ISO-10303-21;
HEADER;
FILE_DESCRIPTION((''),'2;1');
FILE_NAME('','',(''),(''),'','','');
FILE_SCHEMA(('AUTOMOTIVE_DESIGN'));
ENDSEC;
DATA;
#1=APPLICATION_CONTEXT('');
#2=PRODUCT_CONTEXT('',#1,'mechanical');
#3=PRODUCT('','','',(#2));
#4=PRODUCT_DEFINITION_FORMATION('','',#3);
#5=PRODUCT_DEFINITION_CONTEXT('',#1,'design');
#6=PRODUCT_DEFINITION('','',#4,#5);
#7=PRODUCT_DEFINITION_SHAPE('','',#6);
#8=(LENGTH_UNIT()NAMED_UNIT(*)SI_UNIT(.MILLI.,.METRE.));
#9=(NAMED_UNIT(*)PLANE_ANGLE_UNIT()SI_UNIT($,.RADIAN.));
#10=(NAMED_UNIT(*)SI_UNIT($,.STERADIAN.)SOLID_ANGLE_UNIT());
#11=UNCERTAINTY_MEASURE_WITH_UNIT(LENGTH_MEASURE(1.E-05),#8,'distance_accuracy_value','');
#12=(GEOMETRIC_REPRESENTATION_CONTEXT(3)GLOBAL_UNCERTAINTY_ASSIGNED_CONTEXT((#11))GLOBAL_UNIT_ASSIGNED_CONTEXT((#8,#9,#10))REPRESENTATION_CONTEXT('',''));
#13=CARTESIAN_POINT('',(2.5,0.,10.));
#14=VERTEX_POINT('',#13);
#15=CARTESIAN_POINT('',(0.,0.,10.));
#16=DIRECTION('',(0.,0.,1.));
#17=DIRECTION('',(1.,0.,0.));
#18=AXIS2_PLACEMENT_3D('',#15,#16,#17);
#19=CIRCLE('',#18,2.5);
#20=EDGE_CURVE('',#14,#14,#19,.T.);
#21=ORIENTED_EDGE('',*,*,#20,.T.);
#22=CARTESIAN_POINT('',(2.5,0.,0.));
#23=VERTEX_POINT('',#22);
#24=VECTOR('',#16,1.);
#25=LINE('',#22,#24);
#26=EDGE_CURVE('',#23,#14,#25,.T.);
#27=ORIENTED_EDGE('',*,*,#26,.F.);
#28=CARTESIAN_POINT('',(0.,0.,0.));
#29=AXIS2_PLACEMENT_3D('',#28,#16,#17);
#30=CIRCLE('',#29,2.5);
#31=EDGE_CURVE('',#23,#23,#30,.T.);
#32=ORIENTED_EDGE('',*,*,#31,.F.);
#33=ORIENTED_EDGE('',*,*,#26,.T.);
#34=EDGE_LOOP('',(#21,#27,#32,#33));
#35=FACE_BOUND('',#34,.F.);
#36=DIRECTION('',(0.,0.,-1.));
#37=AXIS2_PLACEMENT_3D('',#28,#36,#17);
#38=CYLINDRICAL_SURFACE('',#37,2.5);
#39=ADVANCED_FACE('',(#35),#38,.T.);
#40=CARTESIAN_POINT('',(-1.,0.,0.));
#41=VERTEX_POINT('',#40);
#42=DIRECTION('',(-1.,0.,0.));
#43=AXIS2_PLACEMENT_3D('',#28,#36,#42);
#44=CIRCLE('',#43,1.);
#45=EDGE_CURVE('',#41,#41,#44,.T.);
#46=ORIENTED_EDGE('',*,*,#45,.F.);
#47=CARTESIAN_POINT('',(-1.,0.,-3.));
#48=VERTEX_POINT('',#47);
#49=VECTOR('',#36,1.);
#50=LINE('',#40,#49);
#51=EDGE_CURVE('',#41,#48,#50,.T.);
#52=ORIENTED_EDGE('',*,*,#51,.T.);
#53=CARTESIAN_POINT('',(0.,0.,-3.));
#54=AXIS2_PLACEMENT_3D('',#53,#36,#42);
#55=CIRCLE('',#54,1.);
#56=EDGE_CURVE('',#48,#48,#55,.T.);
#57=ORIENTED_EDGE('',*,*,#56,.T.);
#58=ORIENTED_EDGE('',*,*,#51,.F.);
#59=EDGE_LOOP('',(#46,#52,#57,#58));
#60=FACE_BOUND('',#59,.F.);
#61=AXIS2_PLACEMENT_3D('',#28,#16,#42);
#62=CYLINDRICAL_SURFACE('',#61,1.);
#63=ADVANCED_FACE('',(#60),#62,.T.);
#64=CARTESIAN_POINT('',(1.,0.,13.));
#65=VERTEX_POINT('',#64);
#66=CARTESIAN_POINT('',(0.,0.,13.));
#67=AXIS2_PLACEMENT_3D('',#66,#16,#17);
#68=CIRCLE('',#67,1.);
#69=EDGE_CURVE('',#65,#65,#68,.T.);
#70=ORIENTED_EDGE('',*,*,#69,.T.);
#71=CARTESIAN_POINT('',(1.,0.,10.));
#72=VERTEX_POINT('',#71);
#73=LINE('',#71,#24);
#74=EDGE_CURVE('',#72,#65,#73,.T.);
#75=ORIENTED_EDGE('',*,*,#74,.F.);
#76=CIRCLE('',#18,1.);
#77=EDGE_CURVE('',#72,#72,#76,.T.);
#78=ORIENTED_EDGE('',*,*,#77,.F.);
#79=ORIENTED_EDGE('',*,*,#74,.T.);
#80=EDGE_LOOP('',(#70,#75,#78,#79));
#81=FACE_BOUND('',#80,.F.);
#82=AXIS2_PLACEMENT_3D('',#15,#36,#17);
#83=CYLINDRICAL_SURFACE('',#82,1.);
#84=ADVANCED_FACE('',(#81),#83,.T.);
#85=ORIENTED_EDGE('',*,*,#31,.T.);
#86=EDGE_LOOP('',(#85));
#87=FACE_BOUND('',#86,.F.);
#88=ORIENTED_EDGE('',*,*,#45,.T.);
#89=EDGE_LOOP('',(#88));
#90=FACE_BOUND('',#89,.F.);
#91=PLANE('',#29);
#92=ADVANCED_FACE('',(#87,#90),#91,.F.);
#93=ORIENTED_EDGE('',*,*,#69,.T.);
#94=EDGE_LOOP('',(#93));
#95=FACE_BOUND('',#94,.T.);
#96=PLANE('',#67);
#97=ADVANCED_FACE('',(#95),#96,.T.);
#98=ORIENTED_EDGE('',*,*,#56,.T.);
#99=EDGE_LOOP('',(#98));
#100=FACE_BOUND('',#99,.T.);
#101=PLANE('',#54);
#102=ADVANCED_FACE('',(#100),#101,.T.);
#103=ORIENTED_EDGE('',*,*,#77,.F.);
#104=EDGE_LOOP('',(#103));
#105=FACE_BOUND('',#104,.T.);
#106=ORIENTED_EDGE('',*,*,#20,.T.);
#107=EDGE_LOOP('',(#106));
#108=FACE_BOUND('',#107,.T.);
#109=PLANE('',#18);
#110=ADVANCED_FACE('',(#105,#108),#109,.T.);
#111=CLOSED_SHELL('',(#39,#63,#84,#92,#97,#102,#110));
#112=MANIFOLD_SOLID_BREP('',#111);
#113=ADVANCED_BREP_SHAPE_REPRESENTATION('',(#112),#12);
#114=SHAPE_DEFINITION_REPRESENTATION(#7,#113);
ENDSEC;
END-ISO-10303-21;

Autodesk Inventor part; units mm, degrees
ref_plane "YZ Plane" through (0, 0, 0) normal (1, 0, 0) x (0, 1, 0)
ref_plane "XZ Plane" through (0, 0, 0) normal (0, 1, 0) x (-1, 0, 0)
ref_plane "XY Plane" through (0, 0, 0) normal (0, 0, 1) x (1, 0, 0)
sketch "Sketch1" plane through (0, 0, 0) normal (0, 0, 1) x (1, 0, 0)
  circle A0 centre (0, 0) radius 2.5
  dimension "d0" = 5
extrude "Extrusion1" add sketch "Sketch1" along normal blind 10
sketch "Sketch2" plane through (0, 0, 10) normal (0, 0, 1) x (1, 0, 0)
  circle A0 centre (0, 0) radius 2.5 projected
  circle A1 centre (0, 0) radius 1
  dimension "d3" = 2
extrude "Extrusion2" add sketch "Sketch2" along normal blind 3 contours A1
sketch "Sketch3" plane through (0, 0, 0) normal (0, 0, -1) x (-1, 0, 0)
  circle A0 centre (0, 0) radius 1
  dimension "d6" = 2
extrude "Extrusion3" add sketch "Sketch3" along normal blind 3
properties part number "Bone-1cm"
